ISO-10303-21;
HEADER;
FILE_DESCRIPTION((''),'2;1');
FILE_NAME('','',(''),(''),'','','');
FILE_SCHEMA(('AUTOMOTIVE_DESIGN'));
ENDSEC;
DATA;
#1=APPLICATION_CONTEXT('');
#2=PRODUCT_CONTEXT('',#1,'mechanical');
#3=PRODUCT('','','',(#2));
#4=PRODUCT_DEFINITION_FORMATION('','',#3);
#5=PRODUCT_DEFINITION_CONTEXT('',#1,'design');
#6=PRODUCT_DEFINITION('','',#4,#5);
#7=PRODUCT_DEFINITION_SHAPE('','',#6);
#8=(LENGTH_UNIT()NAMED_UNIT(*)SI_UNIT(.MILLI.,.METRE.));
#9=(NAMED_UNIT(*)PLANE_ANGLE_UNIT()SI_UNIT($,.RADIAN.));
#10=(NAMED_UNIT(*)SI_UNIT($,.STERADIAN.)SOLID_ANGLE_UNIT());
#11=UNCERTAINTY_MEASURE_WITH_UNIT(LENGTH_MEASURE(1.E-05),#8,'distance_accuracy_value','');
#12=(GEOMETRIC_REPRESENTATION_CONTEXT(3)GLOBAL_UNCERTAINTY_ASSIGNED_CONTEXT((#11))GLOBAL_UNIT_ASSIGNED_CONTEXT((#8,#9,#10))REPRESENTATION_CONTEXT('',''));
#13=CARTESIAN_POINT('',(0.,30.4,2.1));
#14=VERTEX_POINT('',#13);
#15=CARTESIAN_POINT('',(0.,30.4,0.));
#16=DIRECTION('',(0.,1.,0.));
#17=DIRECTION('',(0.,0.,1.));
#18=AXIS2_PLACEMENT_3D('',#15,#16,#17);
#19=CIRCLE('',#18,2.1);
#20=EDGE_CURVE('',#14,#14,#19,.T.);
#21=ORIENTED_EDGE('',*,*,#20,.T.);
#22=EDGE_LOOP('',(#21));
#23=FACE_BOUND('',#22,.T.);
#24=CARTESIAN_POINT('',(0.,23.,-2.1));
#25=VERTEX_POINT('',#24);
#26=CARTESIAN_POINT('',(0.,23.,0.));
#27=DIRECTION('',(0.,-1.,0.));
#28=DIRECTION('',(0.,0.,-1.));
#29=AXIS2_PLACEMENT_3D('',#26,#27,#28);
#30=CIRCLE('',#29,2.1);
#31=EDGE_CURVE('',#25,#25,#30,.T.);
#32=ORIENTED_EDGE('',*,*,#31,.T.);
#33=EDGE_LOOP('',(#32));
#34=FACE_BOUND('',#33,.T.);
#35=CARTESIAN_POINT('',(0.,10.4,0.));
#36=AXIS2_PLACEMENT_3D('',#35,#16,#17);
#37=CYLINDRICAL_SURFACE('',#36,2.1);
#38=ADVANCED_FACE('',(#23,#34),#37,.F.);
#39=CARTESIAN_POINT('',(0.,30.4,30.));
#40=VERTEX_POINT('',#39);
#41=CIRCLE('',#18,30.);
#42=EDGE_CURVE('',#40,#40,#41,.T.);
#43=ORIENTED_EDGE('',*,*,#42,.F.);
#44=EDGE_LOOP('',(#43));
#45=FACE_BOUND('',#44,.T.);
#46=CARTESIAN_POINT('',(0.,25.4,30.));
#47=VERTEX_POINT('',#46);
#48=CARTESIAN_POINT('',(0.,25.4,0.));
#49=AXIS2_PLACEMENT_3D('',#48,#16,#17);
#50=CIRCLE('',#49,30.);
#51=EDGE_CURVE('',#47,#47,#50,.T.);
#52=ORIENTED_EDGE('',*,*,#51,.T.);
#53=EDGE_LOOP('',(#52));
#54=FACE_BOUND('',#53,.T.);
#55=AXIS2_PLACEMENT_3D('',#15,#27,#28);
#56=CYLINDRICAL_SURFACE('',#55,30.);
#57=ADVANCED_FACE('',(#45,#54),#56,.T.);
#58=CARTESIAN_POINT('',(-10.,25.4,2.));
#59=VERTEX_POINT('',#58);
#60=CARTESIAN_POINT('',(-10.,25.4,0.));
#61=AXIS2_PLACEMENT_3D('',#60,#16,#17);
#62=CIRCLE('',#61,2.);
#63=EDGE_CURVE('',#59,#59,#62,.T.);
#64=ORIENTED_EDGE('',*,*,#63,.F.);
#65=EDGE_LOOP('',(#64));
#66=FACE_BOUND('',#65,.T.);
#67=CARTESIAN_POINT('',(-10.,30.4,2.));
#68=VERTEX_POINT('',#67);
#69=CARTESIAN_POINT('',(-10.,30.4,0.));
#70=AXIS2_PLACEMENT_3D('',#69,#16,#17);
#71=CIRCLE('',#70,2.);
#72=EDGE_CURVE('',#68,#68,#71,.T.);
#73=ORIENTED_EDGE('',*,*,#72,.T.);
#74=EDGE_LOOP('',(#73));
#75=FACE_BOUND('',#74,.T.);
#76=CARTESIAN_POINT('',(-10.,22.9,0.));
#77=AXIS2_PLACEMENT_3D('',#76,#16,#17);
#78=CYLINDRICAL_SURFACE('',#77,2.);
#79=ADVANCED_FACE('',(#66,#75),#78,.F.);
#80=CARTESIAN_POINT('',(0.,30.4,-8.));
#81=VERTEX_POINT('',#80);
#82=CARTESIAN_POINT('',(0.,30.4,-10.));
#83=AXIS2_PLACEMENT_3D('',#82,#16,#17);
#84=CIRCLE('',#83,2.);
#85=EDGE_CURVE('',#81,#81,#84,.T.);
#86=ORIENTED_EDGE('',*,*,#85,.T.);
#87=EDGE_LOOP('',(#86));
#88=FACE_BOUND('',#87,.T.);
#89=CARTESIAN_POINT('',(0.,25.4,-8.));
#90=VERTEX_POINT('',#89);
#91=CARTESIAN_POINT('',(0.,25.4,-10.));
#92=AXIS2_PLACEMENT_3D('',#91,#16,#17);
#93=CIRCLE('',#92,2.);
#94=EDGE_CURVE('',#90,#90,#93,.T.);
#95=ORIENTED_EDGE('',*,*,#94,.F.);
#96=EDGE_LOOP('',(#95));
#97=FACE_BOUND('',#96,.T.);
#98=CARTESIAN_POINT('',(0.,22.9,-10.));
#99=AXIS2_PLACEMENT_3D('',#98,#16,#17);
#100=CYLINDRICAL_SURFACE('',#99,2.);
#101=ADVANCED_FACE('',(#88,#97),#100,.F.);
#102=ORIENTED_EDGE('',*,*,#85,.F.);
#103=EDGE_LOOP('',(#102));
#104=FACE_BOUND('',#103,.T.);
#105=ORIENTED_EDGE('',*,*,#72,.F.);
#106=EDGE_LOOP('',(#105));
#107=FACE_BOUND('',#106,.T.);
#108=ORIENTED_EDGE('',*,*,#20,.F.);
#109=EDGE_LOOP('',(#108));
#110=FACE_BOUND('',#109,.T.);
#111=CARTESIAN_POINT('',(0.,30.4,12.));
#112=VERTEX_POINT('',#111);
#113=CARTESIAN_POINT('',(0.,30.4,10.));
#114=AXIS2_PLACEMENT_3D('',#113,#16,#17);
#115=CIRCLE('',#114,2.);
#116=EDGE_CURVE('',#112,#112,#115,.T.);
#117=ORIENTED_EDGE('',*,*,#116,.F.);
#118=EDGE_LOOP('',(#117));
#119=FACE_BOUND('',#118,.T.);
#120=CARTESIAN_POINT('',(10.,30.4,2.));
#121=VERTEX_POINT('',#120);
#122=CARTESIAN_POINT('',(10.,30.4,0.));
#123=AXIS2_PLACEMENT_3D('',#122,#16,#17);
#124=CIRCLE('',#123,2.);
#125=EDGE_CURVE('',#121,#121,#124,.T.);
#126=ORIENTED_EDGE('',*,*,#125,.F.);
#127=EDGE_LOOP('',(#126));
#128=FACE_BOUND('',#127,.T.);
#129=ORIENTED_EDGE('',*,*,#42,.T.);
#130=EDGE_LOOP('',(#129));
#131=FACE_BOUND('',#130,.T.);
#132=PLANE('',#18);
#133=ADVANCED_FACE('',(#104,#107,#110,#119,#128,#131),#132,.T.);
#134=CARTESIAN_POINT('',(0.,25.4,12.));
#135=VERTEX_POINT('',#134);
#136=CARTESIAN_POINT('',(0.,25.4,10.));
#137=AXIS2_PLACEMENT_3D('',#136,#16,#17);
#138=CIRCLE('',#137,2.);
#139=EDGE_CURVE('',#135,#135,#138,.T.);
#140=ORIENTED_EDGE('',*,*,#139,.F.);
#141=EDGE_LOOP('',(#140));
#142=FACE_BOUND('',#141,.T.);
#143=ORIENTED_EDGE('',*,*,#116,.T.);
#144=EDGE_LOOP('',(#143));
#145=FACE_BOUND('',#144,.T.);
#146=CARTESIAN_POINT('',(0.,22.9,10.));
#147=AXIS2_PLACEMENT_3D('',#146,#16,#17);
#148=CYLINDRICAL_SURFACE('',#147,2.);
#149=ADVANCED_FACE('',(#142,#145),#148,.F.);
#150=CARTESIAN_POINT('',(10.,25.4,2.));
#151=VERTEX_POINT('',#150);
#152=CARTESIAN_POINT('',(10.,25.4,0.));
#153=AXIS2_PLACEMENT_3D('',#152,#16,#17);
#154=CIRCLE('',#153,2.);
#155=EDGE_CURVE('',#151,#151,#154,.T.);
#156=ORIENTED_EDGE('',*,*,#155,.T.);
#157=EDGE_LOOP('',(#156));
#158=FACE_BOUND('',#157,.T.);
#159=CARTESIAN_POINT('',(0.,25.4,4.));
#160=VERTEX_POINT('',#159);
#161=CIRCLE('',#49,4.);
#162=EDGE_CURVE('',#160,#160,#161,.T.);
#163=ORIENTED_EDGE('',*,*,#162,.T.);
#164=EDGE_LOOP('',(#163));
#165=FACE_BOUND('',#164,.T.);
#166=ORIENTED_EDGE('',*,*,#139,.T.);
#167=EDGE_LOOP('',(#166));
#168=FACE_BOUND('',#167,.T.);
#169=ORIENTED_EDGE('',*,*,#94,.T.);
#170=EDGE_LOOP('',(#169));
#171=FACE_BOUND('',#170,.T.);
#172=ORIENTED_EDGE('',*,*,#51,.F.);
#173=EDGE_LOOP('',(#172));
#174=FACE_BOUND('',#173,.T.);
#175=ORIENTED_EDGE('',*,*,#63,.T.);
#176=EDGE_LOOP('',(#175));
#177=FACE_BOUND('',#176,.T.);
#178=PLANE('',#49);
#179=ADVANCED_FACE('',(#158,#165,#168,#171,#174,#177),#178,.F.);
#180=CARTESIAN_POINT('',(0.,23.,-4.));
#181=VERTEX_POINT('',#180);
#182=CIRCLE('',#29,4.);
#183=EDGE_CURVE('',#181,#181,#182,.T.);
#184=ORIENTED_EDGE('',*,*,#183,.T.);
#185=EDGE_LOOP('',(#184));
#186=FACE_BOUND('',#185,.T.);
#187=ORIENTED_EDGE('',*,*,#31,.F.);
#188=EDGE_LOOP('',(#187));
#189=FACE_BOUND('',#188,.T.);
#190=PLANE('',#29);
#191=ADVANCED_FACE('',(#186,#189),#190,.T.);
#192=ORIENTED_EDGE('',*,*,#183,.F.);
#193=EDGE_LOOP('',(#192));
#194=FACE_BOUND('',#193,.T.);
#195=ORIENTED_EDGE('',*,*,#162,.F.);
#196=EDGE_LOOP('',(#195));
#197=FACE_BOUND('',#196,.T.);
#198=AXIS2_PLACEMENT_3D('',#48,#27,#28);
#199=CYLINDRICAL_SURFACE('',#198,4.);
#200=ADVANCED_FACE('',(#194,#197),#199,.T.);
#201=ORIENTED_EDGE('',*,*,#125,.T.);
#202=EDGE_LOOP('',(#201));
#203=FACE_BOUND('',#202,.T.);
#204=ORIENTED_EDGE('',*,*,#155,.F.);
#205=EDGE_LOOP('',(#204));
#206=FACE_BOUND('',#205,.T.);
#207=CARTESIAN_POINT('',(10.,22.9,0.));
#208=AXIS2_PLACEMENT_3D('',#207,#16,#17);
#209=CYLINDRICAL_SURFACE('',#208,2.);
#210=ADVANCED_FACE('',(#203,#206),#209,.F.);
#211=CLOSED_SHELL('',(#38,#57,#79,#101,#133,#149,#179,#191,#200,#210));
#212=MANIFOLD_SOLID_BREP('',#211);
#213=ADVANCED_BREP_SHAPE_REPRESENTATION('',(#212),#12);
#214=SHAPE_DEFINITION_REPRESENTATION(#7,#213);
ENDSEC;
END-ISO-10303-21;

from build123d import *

# Parameters (mm, degrees)
CROQUIS1_R              = 2.05
CROQUIS1_R_2            = 4
SALIENTE_EXTRUIR1_DEPTH = 25.4
CROQUIS2_R              = 30
SALIENTE_EXTRUIR2_DEPTH = 5
CROQUIS3_R              = 2
CORTAR_EXTRUIR1_DEPTH   = 7.5
CROQUIS7_R              = 3.5
CORTAR_EXTRUIR3_DEPTH   = 3
CROQUIS8_W              = 62.698346187
CROQUIS8_H              = 3
CORTAR_EXTRUIR5_DEPTH   = 15
CROQUIS1_3_R            = 2.05
CORTAR_EXTRUIR6_DEPTH   = 7.4
SALIENTE_EXTRUIR3_DEPTH = 10
CROQUIS6_R              = 1.25
CORTAR_EXTRUIR7_DEPTH   = 10
CROQUIS10_R             = 4.00257807
CORTAR_EXTRUIR8_DEPTH   = 20
CROQUIS11_R             = 2.1
CORTAR_EXTRUIR9_DEPTH   = 20


with BuildPart() as part:
    # Croquis1 → Saliente-Extruir1 (new body)
    with BuildSketch(Plane(origin=(0, 0, 0), x_dir=(1, 0, 0), z_dir=(0, 1, 0))):
        Circle(CROQUIS1_R)
        Circle(CROQUIS1_R_2)
        Circle(CROQUIS1_R, mode=Mode.SUBTRACT)
    extrude(amount=SALIENTE_EXTRUIR1_DEPTH)

    # Croquis2 → Saliente-Extruir2 (add)
    with BuildSketch(Plane(origin=(0, 25.4, 0), x_dir=(1, 0, 0), z_dir=(0, 1, 0))):
        Circle(CROQUIS2_R)
    extrude(amount=SALIENTE_EXTRUIR2_DEPTH)

    # Croquis3 → Cortar-Extruir1 (cut)
    with BuildSketch(Plane(origin=(0, 30.4, 0), x_dir=(1, 0, 0), z_dir=(0, 1, 0))):
        with Locations((0, 10)):
            Circle(CROQUIS3_R)
        with Locations((10, 0)):
            Circle(CROQUIS3_R)
        with Locations((0, -10)):
            Circle(CROQUIS3_R)
        with Locations((-10, 0)):
            Circle(CROQUIS3_R)
    extrude(amount=-CORTAR_EXTRUIR1_DEPTH, mode=Mode.SUBTRACT)

    # Croquis7 → Cortar-Extruir3 (cut)
    with BuildSketch(Plane.XZ):
        Circle(CROQUIS7_R)
    extrude(amount=-CORTAR_EXTRUIR3_DEPTH, mode=Mode.SUBTRACT)

    # Croquis8 → Cortar-Extruir5 (cut, symmetric)
    with BuildSketch(Plane(origin=(0, 0, 0), x_dir=(0, 0, -1), z_dir=(1, 0, 0))):
        with Locations((4.276742622, 1.5)):
            Rectangle(CROQUIS8_W, CROQUIS8_H)
    extrude(amount=CORTAR_EXTRUIR5_DEPTH, both=True, mode=Mode.SUBTRACT)

    # Croquis1<3> → Cortar-Extruir6 (cut)
    with BuildSketch(Plane(origin=(0, 0, 0), x_dir=(1, 0, 0), z_dir=(0, 1, 0))):
        Circle(CROQUIS1_3_R)
    extrude(amount=CORTAR_EXTRUIR6_DEPTH, mode=Mode.SUBTRACT)

    # Croquis9 → Saliente-Extruir3 (add)
    with BuildSketch(Plane.XZ.offset(-3)):
        with BuildLine():
            ThreePointArc((1.281600562, 1.6), (0, 2.05), (-1.281600562, 1.6))
            Line((-1.281600562, 1.6), (1.281600562, 1.6))
        make_face()
    extrude(amount=-SALIENTE_EXTRUIR3_DEPTH)

    # Croquis6 → Cortar-Extruir7 (cut)
    with BuildSketch(Plane.XY):
        with Locations((0, 5)):
            Circle(CROQUIS6_R)
    extrude(amount=CORTAR_EXTRUIR7_DEPTH, mode=Mode.SUBTRACT)

    # Croquis10 → Cortar-Extruir8 (cut)
    with BuildSketch(Plane.XZ.offset(-3)):
        Circle(CROQUIS10_R)
    extrude(amount=-CORTAR_EXTRUIR8_DEPTH, mode=Mode.SUBTRACT)

    # Croquis11 → Cortar-Extruir9 (cut)
    with BuildSketch(Plane(origin=(0, 30.4, 0), x_dir=(1, 0, 0), z_dir=(0, 1, 0))):
        Circle(CROQUIS11_R)
    extrude(amount=-CORTAR_EXTRUIR9_DEPTH, mode=Mode.SUBTRACT)


solid = part.part
